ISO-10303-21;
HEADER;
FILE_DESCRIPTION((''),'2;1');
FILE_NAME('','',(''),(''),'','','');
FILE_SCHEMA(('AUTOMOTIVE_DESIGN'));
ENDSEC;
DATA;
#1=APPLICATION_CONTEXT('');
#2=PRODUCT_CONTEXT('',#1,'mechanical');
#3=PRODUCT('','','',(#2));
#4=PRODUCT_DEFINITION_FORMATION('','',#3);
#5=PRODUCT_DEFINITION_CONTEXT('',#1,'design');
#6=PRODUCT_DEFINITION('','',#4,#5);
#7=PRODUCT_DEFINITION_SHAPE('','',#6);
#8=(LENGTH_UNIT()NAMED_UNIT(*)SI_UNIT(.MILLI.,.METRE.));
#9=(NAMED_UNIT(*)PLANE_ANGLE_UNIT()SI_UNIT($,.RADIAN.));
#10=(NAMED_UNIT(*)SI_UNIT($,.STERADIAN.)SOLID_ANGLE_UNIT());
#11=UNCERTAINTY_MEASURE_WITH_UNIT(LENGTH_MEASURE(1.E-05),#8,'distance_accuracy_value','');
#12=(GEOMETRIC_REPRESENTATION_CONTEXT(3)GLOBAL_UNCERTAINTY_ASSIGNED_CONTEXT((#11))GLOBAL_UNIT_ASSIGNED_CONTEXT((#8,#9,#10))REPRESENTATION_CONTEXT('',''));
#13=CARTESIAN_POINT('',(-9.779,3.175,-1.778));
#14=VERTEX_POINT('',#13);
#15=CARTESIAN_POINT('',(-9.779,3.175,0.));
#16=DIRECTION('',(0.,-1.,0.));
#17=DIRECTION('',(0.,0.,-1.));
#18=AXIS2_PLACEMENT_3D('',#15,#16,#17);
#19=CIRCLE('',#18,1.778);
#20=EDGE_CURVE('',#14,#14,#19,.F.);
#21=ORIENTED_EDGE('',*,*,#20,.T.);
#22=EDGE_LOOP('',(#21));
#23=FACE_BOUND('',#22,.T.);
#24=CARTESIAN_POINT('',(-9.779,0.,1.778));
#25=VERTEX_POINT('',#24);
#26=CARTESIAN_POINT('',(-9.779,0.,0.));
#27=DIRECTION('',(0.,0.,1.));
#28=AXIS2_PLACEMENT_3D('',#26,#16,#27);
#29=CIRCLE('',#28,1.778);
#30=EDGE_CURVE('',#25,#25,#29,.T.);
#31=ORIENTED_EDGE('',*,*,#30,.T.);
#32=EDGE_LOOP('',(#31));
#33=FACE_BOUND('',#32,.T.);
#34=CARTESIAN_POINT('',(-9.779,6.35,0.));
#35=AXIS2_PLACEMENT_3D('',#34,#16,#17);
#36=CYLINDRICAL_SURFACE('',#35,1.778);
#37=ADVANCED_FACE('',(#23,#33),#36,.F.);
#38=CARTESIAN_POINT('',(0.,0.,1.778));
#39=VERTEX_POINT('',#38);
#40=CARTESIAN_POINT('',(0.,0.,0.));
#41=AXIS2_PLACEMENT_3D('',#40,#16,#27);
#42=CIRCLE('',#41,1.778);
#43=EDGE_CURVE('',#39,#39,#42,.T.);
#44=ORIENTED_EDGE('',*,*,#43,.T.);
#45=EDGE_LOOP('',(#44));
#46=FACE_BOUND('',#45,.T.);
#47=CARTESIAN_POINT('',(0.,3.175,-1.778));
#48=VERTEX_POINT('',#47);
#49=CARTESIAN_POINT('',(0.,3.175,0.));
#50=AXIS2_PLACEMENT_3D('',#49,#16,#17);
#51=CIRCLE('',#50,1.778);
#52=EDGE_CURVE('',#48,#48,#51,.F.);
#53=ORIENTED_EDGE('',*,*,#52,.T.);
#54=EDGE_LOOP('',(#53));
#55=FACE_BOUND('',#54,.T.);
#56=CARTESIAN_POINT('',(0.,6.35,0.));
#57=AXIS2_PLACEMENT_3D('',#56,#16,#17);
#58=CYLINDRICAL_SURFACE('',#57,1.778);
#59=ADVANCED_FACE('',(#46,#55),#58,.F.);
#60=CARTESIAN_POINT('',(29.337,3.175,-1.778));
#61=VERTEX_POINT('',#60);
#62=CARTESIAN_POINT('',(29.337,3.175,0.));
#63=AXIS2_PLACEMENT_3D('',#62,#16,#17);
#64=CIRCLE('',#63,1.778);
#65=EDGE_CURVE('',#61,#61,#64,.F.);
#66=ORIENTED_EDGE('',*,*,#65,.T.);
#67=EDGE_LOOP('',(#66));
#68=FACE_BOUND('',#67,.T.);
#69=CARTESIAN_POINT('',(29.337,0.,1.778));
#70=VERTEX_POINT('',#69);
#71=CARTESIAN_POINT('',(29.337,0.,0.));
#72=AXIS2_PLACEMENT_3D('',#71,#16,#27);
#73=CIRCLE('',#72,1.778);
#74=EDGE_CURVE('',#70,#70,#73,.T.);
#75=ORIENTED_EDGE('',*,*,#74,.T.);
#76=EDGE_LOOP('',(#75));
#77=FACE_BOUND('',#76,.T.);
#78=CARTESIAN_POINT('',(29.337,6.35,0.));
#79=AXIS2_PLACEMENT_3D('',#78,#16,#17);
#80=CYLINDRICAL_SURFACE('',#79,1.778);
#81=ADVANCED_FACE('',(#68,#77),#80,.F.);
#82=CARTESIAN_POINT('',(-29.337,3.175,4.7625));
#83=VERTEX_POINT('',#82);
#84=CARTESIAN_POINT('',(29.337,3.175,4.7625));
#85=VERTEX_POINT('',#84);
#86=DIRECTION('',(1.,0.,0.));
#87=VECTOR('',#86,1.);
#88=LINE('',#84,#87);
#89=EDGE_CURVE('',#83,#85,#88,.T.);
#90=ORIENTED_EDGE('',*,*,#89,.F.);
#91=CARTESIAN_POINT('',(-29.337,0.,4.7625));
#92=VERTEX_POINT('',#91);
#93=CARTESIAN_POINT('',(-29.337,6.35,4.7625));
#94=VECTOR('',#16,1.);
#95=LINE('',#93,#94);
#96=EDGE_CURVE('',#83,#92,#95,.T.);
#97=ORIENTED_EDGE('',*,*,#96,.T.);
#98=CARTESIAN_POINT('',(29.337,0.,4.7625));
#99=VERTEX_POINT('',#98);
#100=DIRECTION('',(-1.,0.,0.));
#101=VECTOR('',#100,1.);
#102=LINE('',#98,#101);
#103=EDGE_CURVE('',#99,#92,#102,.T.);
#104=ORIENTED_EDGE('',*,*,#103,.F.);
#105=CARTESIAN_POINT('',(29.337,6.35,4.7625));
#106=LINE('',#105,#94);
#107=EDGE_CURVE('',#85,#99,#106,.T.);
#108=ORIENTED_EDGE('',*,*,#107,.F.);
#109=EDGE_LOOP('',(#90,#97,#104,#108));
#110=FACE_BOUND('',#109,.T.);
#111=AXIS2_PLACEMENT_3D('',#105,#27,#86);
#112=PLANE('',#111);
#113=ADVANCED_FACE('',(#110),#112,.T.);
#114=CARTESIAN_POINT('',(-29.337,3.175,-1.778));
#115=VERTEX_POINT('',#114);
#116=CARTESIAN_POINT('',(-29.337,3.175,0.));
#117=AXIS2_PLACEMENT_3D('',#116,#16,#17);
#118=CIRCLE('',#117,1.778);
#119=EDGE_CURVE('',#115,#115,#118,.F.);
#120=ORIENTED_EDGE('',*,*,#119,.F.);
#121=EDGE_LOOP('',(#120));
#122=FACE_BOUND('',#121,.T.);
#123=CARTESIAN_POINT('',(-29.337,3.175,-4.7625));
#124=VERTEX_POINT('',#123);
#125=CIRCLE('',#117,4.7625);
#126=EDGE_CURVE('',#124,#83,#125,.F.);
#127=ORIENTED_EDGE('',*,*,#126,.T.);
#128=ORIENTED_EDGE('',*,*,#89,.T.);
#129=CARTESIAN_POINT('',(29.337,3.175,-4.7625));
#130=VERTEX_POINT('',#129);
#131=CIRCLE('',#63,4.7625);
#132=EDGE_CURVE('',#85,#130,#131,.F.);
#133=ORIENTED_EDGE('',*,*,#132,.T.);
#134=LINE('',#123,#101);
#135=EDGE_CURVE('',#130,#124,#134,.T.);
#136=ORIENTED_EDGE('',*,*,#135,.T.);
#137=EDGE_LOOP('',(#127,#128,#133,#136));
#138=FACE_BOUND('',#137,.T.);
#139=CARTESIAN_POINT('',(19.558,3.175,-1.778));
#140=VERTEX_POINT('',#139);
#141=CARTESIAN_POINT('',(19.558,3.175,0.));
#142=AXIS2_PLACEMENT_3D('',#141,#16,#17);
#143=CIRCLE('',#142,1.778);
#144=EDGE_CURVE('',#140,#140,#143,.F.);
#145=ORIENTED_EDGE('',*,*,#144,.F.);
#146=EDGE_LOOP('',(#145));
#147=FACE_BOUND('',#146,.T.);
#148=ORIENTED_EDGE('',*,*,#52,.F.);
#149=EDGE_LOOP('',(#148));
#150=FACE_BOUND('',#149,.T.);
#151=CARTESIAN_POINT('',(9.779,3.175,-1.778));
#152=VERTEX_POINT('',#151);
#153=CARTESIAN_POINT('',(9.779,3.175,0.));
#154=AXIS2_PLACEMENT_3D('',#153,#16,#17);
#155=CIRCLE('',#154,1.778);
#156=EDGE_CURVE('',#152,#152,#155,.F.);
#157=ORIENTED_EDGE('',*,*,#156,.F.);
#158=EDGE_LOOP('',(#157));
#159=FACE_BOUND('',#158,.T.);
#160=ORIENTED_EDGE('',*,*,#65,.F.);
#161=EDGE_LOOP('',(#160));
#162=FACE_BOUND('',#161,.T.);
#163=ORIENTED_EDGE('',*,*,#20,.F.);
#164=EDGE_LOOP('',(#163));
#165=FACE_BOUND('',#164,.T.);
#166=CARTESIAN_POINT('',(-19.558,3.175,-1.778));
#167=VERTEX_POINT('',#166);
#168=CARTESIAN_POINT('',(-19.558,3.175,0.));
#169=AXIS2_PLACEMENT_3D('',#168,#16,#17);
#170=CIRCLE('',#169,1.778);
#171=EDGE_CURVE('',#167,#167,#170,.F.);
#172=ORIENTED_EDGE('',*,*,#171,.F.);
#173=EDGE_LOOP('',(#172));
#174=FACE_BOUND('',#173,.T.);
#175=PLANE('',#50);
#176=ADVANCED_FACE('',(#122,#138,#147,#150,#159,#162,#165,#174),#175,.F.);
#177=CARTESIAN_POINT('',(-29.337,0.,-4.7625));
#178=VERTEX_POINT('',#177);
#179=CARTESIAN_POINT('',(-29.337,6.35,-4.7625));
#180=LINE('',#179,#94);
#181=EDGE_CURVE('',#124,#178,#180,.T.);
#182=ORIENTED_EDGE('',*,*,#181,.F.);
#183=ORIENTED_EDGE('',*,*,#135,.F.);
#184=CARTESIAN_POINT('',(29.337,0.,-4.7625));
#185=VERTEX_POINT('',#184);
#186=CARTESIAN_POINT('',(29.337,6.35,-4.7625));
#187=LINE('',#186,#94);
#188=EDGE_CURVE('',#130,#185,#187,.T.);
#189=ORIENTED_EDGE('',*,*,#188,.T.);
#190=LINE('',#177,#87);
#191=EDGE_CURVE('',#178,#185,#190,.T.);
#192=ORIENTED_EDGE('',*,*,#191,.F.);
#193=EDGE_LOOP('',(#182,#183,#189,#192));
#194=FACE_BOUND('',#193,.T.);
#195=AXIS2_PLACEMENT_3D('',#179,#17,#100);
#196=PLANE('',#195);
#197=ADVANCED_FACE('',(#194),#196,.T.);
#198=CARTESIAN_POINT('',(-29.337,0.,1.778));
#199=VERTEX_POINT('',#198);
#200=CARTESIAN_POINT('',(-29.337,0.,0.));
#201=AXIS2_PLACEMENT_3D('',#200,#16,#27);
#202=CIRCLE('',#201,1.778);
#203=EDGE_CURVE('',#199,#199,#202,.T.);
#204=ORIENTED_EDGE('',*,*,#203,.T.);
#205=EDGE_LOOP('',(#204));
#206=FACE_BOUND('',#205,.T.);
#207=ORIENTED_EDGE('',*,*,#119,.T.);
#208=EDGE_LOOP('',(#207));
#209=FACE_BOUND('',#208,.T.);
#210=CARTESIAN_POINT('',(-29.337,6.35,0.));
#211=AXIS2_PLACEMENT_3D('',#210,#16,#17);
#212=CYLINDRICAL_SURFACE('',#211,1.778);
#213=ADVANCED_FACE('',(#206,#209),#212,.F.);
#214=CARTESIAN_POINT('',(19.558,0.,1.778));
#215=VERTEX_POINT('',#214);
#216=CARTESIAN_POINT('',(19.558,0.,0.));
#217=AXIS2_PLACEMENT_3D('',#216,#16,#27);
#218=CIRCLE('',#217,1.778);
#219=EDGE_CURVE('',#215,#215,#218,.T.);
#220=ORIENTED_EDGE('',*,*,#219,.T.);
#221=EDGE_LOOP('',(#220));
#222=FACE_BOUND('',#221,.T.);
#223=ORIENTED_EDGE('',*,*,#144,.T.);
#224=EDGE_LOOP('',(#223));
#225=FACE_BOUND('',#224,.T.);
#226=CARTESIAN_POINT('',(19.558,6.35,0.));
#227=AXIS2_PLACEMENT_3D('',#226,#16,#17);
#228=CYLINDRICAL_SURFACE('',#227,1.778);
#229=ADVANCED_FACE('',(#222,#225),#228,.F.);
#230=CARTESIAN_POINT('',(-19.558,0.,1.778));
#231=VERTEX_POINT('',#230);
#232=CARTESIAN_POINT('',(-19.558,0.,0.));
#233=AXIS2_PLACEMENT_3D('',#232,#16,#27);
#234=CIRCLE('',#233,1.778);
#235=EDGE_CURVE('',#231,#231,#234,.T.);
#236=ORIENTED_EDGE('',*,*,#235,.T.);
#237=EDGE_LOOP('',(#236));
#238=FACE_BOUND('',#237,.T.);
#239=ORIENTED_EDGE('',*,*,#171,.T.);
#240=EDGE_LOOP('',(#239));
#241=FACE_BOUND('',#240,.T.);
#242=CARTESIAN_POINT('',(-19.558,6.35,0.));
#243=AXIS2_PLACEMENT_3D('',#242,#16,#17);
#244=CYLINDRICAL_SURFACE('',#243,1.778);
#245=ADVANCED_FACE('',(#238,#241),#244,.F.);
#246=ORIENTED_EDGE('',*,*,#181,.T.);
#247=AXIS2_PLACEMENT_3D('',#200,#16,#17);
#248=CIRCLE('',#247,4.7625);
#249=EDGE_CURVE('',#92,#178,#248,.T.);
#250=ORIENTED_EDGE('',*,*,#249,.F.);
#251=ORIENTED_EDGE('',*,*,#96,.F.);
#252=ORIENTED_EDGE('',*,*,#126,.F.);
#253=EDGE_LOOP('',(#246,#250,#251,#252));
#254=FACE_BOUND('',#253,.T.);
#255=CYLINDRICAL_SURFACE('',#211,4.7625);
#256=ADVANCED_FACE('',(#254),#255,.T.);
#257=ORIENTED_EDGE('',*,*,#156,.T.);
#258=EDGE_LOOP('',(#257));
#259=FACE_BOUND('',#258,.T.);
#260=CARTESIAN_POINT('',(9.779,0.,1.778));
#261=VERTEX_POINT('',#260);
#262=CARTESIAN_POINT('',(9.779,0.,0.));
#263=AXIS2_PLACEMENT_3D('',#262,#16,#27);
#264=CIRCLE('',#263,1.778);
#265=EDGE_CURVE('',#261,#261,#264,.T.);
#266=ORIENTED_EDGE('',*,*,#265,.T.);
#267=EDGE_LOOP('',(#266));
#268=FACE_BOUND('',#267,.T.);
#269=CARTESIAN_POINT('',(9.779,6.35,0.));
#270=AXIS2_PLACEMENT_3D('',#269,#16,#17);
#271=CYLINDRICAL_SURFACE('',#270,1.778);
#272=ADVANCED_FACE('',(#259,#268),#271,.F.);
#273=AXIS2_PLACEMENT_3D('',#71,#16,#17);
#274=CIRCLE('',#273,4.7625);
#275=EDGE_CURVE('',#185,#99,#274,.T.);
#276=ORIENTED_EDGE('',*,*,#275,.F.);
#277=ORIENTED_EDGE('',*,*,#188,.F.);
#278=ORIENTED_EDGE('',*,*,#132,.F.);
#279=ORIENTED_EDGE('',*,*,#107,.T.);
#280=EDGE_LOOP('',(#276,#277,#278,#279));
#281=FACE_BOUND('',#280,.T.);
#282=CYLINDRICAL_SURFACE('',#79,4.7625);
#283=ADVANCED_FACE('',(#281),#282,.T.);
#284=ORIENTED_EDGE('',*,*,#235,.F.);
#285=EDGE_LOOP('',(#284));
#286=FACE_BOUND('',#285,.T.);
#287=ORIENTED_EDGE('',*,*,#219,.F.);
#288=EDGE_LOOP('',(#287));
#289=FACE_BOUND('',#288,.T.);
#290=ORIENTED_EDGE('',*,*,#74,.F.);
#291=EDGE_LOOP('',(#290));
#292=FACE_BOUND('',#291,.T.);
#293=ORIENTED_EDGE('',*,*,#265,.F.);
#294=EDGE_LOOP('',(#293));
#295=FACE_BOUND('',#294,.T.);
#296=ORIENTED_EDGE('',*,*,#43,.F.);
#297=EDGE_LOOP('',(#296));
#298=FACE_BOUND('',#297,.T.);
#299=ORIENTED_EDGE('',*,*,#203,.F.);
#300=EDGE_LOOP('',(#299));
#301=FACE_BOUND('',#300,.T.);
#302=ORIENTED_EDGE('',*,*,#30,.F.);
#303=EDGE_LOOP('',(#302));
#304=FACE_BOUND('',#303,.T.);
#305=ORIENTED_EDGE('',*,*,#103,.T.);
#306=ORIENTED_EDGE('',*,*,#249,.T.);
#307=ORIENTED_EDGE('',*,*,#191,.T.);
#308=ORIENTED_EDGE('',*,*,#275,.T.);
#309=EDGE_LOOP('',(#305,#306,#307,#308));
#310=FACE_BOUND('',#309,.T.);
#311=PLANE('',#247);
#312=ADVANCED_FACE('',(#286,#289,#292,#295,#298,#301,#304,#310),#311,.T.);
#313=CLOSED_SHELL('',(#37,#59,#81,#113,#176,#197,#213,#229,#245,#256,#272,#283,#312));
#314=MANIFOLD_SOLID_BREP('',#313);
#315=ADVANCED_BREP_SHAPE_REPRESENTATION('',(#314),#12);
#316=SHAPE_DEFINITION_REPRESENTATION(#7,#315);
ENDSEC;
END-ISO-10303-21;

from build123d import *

# Parameters (mm, degrees)
SKETCH1_R           = 1.778
BOSS_EXTRUDE1_DEPTH = 6.35
SKETCH2_W           = 91.819515258
SKETCH2_H           = 20.708231101
CUT_EXTRUDE1_DEPTH  = 3.175


with BuildPart() as part:
    # Sketch1 → Boss-Extrude1 (new body)
    with BuildSketch(Plane.XZ):
        with BuildLine():
            Line((-29.337, -4.7625), (29.337, -4.7625))
            ThreePointArc((29.337, -4.7625), (34.0995, 0), (29.337, 4.7625))
            Line((29.337, 4.7625), (-29.337, 4.7625))
            ThreePointArc((-29.337, 4.7625), (-34.0995, 0), (-29.337, -4.7625))
        make_face()
        with Locations(Location((29.337, 0, 0), (0, 0, 90))):
            Circle(SKETCH1_R, mode=Mode.SUBTRACT)
        with Locations(Location((19.558, 0, 0), (0, 0, 90))):
            Circle(SKETCH1_R, mode=Mode.SUBTRACT)
        with Locations(Location((9.779, 0, 0), (0, 0, 90))):
            Circle(SKETCH1_R, mode=Mode.SUBTRACT)
        with Locations(Location((0, 0, 0), (0, 0, 90))):
            Circle(SKETCH1_R, mode=Mode.SUBTRACT)
        with Locations(Location((-9.779, 0, 0), (0, 0, 90))):
            Circle(SKETCH1_R, mode=Mode.SUBTRACT)
        with Locations(Location((-19.558, 0, 0), (0, 0, 90))):
            Circle(SKETCH1_R, mode=Mode.SUBTRACT)
        with Locations(Location((-29.337, 0, 0), (0, 0, 90))):
            Circle(SKETCH1_R, mode=Mode.SUBTRACT)
    extrude(amount=-BOSS_EXTRUDE1_DEPTH)

    # Sketch2 → Cut-Extrude1 (cut)
    with BuildSketch(Plane(origin=(0, 6.35, 0), x_dir=(1, 0, 0), z_dir=(0, 1, 0))):
        with Locations((-4.688656098, 0.586082012)):
            Rectangle(SKETCH2_W, SKETCH2_H)
    extrude(amount=-CUT_EXTRUDE1_DEPTH, mode=Mode.SUBTRACT)


solid = part.part
